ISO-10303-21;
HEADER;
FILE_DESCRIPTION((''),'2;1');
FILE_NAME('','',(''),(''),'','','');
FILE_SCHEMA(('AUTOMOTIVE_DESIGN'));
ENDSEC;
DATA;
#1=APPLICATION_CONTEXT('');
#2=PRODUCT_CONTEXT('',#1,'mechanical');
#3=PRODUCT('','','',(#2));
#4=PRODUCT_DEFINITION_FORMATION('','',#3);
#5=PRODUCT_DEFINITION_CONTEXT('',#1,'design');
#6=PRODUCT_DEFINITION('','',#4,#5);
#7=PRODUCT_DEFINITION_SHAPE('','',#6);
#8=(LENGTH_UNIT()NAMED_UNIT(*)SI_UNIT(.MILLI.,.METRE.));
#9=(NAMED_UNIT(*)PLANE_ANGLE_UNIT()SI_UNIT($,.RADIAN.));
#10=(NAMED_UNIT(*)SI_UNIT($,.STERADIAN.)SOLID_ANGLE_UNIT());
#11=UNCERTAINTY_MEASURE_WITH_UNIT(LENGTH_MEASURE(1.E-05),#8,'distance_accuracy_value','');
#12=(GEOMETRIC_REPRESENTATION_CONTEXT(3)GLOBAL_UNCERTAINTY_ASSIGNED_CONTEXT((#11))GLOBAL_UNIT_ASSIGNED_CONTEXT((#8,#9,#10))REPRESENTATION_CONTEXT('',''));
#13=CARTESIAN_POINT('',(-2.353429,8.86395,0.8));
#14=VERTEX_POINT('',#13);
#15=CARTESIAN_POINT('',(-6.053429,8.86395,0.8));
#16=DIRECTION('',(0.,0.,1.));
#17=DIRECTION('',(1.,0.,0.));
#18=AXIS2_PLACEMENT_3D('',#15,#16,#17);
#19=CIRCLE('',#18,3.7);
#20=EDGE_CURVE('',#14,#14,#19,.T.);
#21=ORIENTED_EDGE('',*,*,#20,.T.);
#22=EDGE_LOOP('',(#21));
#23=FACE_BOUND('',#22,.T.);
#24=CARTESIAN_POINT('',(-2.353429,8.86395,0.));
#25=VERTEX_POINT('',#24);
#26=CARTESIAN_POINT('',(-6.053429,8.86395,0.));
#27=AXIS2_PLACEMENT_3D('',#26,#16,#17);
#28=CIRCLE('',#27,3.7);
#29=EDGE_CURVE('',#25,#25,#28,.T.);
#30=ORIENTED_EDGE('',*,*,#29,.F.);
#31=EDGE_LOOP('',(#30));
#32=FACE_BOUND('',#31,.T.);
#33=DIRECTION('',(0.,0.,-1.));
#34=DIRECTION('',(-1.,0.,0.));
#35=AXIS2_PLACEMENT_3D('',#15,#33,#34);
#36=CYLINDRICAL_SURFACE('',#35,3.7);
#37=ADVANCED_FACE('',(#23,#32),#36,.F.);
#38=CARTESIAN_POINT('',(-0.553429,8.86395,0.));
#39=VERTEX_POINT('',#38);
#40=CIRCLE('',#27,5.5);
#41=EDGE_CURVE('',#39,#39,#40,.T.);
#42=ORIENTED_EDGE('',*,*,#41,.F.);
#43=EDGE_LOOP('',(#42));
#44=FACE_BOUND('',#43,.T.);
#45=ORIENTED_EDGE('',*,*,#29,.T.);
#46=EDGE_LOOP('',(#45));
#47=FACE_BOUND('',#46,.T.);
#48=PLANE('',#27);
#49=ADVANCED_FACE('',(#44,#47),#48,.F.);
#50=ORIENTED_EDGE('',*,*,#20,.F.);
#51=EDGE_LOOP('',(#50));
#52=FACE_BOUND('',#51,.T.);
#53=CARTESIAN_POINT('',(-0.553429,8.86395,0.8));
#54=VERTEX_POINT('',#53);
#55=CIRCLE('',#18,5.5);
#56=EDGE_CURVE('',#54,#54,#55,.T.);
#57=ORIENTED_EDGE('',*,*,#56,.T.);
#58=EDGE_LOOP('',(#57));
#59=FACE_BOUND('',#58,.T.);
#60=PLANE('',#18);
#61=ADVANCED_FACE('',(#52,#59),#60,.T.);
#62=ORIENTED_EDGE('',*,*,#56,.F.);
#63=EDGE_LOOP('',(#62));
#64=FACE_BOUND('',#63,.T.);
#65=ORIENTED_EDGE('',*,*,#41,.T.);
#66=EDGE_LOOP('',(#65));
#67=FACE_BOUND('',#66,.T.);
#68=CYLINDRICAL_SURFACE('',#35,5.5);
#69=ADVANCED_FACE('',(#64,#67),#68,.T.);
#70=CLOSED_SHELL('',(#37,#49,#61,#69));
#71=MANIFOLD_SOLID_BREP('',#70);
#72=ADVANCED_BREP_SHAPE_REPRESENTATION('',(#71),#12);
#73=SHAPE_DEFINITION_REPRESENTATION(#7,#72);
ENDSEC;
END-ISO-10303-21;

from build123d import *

# Parameters (mm, degrees)
SKETCH1_R           = 5.5
SKETCH1_R_2         = 3.7
BOSS_EXTRUDE1_DEPTH = 0.8


with BuildPart() as part:
    # Sketch1 → Boss-Extrude1 (new body)
    with BuildSketch(Plane.XY):
        with Locations((-6.053429189, 8.863949884)):
            Circle(SKETCH1_R)
        with Locations((-6.053429189, 8.863949884)):
            Circle(SKETCH1_R_2, mode=Mode.SUBTRACT)
    extrude(amount=BOSS_EXTRUDE1_DEPTH)


solid = part.part
